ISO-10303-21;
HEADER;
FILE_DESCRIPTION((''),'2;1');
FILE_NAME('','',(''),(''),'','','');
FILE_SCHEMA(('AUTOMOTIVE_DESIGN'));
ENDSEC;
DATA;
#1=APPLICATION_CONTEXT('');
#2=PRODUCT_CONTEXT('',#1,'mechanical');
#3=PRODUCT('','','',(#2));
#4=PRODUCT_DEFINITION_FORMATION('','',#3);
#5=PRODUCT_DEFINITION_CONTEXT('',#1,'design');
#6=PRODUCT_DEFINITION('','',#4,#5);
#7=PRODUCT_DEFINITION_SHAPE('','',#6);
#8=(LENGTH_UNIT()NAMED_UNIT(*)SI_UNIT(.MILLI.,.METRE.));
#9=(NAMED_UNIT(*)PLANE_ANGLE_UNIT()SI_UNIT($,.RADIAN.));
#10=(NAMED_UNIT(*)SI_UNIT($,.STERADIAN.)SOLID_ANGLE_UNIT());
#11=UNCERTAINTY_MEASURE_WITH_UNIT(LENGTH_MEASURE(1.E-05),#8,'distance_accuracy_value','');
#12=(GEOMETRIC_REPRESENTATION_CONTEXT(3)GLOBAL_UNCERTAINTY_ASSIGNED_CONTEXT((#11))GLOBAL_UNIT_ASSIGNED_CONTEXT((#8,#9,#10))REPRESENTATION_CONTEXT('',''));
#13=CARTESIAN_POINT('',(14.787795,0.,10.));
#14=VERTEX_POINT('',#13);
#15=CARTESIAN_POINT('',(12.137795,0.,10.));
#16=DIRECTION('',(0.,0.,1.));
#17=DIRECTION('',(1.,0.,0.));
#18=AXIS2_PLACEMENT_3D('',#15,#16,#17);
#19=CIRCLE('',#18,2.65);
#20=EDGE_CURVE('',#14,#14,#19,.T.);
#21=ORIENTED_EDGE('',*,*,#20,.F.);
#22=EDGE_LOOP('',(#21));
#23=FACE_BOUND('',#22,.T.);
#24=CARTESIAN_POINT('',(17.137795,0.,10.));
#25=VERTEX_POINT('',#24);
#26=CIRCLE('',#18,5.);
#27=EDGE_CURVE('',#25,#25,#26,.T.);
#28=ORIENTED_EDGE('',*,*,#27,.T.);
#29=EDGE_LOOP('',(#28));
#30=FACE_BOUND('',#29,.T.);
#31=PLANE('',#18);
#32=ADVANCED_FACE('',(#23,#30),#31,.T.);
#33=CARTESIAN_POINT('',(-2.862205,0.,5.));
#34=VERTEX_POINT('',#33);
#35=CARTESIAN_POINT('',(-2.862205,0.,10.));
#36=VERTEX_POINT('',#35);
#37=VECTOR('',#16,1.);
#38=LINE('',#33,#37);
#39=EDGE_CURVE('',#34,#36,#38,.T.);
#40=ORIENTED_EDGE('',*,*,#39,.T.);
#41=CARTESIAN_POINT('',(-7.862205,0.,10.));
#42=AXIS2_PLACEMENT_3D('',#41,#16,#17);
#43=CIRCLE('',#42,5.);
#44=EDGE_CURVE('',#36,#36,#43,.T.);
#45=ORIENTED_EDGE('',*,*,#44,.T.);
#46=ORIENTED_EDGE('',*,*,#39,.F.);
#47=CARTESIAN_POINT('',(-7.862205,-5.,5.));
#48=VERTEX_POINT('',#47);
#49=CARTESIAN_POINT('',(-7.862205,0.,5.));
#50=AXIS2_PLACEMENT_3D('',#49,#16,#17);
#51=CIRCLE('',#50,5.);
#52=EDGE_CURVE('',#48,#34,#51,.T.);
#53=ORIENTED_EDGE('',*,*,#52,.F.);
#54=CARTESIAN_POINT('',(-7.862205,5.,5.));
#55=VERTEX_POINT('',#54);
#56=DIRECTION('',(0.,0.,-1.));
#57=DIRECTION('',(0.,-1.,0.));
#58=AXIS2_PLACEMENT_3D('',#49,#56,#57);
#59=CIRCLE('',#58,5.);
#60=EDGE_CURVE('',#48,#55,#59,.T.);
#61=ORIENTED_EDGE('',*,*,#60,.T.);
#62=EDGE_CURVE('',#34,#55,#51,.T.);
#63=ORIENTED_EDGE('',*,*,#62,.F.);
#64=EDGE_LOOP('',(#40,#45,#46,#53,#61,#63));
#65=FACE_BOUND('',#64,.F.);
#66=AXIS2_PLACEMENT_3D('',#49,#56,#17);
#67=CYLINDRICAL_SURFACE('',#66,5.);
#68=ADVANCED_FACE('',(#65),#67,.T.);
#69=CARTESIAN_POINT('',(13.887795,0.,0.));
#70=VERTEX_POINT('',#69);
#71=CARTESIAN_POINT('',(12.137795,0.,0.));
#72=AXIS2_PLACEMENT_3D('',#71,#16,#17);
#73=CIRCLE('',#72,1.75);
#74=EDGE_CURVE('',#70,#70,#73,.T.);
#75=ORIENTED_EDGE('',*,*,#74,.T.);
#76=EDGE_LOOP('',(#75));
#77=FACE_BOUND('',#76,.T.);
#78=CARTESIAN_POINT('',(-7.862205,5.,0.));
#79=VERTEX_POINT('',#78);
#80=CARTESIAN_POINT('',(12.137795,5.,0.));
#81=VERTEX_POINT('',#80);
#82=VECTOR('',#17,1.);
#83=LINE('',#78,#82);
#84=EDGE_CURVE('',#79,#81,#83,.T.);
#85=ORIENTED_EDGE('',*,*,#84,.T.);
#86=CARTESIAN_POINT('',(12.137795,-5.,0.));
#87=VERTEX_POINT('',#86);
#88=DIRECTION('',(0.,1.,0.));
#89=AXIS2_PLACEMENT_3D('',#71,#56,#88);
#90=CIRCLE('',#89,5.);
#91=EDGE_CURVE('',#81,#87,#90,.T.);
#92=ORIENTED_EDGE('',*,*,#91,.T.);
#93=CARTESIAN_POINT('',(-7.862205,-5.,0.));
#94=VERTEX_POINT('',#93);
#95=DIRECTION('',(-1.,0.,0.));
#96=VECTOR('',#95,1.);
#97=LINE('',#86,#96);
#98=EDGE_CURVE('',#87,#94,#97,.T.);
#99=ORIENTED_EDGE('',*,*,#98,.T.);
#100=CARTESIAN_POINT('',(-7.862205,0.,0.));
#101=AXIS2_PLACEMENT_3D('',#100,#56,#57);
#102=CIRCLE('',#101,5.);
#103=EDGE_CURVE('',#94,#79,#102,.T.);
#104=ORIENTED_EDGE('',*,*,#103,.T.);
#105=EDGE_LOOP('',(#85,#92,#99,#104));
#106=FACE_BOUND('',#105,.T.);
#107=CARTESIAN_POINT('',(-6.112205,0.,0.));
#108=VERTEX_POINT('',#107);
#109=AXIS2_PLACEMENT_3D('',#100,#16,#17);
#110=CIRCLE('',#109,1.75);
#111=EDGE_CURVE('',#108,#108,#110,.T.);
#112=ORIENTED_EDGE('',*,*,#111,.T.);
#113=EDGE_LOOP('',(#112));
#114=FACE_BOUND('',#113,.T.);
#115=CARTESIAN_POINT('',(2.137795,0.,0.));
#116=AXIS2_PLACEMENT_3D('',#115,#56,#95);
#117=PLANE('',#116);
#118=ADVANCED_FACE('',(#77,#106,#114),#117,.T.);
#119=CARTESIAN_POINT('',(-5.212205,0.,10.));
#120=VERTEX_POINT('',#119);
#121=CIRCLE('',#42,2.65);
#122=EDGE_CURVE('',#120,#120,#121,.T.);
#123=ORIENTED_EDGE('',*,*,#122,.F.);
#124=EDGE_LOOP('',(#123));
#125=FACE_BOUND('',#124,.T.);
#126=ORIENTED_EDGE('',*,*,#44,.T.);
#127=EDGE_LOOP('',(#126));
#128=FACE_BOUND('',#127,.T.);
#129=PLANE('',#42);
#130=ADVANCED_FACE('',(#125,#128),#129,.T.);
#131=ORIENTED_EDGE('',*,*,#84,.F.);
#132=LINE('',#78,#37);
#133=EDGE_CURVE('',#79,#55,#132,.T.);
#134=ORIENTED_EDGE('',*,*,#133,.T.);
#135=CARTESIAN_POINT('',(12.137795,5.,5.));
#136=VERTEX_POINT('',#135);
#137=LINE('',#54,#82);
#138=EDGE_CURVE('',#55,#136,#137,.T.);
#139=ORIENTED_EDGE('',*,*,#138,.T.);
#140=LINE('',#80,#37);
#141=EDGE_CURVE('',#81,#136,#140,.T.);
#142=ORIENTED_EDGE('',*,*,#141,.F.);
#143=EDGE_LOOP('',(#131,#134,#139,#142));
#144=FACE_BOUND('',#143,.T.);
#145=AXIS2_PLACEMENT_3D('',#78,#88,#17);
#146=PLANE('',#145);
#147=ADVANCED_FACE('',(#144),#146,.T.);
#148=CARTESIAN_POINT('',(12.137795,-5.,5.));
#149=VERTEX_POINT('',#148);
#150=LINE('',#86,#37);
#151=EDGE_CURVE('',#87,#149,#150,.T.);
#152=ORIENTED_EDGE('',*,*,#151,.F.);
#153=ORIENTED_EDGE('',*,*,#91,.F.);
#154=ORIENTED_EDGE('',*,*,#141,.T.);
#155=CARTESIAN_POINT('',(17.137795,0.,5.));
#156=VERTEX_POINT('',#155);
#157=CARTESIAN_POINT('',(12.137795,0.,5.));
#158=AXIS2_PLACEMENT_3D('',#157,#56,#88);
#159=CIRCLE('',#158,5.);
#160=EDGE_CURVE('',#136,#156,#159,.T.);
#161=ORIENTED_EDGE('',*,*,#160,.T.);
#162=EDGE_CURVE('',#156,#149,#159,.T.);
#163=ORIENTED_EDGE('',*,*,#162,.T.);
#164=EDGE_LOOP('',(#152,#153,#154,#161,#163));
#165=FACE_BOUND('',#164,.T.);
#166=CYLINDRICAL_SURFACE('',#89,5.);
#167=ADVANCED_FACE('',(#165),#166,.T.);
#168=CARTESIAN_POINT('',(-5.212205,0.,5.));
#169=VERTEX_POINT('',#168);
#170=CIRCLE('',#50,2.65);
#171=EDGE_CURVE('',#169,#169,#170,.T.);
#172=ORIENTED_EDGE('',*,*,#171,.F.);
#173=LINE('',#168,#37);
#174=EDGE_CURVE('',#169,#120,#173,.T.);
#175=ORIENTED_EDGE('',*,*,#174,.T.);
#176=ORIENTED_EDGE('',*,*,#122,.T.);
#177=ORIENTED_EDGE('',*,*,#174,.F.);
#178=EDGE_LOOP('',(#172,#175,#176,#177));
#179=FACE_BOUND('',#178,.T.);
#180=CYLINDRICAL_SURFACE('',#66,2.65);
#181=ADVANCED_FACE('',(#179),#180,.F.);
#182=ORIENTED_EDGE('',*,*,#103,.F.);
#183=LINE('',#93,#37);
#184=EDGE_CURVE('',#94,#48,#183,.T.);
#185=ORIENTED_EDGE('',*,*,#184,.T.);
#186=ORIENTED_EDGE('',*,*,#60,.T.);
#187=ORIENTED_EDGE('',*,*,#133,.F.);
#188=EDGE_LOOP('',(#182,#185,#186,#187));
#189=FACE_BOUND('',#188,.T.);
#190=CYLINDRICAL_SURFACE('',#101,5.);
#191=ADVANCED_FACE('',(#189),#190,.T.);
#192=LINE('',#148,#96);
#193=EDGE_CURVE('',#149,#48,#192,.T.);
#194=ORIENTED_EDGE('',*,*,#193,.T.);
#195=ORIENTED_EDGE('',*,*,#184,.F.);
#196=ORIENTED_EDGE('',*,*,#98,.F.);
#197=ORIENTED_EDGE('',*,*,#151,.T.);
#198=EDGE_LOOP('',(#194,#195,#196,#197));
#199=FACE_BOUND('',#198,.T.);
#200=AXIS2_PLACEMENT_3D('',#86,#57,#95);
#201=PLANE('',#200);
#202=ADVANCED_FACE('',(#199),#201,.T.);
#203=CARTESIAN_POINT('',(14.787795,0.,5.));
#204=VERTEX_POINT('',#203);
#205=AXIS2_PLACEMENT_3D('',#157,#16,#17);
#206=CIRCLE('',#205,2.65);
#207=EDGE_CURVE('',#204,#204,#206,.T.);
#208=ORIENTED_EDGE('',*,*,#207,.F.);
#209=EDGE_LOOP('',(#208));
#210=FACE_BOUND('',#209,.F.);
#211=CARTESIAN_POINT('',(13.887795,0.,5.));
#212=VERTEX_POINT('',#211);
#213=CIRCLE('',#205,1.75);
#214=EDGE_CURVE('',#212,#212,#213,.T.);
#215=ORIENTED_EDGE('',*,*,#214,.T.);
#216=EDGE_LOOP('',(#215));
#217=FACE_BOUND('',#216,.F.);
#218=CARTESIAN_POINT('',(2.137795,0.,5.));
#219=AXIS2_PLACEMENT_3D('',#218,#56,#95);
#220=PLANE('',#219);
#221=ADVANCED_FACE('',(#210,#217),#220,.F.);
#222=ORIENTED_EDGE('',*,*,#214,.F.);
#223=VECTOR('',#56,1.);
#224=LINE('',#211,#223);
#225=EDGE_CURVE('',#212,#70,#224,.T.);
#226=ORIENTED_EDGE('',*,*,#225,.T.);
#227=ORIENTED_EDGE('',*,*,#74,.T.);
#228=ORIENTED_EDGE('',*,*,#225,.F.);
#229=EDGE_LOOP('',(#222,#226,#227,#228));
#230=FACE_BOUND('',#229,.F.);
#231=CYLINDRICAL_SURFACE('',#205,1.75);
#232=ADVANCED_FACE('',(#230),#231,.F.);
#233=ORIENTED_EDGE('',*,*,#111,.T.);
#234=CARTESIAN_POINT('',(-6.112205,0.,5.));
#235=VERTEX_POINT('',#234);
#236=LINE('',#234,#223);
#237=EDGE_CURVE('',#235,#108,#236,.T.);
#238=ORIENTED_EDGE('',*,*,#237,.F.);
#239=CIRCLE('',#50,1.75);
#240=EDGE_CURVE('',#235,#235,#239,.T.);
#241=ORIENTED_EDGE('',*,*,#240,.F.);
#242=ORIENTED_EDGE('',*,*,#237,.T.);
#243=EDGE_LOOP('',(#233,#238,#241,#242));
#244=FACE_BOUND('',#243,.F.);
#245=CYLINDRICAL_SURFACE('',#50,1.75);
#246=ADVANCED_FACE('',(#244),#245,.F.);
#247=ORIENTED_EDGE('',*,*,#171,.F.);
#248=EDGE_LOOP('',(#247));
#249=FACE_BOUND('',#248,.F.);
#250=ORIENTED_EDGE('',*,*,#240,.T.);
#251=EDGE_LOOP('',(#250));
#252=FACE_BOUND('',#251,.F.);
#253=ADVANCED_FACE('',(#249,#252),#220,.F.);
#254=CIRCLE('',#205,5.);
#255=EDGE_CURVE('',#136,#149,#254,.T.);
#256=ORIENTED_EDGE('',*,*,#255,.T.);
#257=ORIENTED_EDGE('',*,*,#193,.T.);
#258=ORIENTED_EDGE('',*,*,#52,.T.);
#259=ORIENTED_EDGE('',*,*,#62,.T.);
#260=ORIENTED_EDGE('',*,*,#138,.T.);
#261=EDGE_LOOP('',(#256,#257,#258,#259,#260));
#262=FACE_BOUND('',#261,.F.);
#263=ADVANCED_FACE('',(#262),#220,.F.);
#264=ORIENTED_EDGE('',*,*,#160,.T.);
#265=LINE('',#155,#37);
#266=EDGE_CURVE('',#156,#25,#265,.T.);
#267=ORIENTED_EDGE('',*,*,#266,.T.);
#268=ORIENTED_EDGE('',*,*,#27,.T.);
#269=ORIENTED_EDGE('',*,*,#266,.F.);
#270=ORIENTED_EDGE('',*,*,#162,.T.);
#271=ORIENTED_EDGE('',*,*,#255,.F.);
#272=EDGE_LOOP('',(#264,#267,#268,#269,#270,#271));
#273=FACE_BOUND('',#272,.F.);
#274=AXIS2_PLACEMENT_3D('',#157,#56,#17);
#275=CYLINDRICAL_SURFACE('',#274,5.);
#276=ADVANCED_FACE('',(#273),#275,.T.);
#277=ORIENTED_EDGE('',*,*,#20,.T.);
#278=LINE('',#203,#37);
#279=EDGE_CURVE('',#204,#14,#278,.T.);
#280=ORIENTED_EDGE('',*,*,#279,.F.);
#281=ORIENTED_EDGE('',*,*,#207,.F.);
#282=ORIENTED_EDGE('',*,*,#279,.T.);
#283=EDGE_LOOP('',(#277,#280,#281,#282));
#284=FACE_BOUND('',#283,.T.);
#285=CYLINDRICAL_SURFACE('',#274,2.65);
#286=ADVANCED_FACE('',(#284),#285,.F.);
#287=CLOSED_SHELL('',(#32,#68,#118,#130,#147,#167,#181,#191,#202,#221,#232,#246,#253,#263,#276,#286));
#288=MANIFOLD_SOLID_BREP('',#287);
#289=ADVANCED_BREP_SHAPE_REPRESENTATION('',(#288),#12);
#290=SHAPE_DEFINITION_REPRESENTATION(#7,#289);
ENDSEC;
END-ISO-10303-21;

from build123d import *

# Parameters (mm, degrees)
ESTRUSIONE_ESTRUSIONE1_DEPTH = 5
SCHIZZO2_R                   = 5
SCHIZZO2_R_2                 = 2.65
ESTRUSIONE_ESTRUSIONE2_DEPTH = 5
SCHIZZO3_R                   = 1.75
TAGLIO_ESTRUSIONE1_DEPTH     = 19.539256374


with BuildPart() as part:
    # Schizzo1 → Estrusione-Estrusione1 (new body)
    with BuildSketch(Plane.XY):
        with BuildLine():
            Line((-7.862204724, 5), (12.137795276, 5))
            ThreePointArc((12.137795276, 5), (17.137795276, 0), (12.137795276, -5))
            Line((12.137795276, -5), (-7.862204724, -5))
            ThreePointArc((-7.862204724, -5), (-12.862204724, 0), (-7.862204724, 5))
        make_face()
    extrude(amount=ESTRUSIONE_ESTRUSIONE1_DEPTH)

    # Schizzo2 → Estrusione-Estrusione2 (add)
    # profile 1 of 2: a face of its own
    with BuildSketch(Plane.XY.offset(5)):
        with Locations((-7.862204724, 0)):
            Circle(SCHIZZO2_R)
        with Locations((-7.862204724, 0)):
            Circle(SCHIZZO2_R_2, mode=Mode.SUBTRACT)
    # profile 2 of 2: a face of its own
    with BuildSketch(Plane.XY.offset(5)):
        with Locations((12.137795276, 0)):
            Circle(SCHIZZO2_R)
        with Locations((12.137795276, 0)):
            Circle(SCHIZZO2_R_2, mode=Mode.SUBTRACT)
    extrude(amount=ESTRUSIONE_ESTRUSIONE2_DEPTH)

    # Schizzo3 → Taglio-Estrusione1 (cut, through all)
    with BuildSketch(Plane.XY.offset(5)):
        with Locations((-7.862204724, 0)):
            Circle(SCHIZZO3_R)
        with Locations((12.137795276, 0)):
            Circle(SCHIZZO3_R)
    extrude(amount=-TAGLIO_ESTRUSIONE1_DEPTH, mode=Mode.SUBTRACT)


solid = part.part
